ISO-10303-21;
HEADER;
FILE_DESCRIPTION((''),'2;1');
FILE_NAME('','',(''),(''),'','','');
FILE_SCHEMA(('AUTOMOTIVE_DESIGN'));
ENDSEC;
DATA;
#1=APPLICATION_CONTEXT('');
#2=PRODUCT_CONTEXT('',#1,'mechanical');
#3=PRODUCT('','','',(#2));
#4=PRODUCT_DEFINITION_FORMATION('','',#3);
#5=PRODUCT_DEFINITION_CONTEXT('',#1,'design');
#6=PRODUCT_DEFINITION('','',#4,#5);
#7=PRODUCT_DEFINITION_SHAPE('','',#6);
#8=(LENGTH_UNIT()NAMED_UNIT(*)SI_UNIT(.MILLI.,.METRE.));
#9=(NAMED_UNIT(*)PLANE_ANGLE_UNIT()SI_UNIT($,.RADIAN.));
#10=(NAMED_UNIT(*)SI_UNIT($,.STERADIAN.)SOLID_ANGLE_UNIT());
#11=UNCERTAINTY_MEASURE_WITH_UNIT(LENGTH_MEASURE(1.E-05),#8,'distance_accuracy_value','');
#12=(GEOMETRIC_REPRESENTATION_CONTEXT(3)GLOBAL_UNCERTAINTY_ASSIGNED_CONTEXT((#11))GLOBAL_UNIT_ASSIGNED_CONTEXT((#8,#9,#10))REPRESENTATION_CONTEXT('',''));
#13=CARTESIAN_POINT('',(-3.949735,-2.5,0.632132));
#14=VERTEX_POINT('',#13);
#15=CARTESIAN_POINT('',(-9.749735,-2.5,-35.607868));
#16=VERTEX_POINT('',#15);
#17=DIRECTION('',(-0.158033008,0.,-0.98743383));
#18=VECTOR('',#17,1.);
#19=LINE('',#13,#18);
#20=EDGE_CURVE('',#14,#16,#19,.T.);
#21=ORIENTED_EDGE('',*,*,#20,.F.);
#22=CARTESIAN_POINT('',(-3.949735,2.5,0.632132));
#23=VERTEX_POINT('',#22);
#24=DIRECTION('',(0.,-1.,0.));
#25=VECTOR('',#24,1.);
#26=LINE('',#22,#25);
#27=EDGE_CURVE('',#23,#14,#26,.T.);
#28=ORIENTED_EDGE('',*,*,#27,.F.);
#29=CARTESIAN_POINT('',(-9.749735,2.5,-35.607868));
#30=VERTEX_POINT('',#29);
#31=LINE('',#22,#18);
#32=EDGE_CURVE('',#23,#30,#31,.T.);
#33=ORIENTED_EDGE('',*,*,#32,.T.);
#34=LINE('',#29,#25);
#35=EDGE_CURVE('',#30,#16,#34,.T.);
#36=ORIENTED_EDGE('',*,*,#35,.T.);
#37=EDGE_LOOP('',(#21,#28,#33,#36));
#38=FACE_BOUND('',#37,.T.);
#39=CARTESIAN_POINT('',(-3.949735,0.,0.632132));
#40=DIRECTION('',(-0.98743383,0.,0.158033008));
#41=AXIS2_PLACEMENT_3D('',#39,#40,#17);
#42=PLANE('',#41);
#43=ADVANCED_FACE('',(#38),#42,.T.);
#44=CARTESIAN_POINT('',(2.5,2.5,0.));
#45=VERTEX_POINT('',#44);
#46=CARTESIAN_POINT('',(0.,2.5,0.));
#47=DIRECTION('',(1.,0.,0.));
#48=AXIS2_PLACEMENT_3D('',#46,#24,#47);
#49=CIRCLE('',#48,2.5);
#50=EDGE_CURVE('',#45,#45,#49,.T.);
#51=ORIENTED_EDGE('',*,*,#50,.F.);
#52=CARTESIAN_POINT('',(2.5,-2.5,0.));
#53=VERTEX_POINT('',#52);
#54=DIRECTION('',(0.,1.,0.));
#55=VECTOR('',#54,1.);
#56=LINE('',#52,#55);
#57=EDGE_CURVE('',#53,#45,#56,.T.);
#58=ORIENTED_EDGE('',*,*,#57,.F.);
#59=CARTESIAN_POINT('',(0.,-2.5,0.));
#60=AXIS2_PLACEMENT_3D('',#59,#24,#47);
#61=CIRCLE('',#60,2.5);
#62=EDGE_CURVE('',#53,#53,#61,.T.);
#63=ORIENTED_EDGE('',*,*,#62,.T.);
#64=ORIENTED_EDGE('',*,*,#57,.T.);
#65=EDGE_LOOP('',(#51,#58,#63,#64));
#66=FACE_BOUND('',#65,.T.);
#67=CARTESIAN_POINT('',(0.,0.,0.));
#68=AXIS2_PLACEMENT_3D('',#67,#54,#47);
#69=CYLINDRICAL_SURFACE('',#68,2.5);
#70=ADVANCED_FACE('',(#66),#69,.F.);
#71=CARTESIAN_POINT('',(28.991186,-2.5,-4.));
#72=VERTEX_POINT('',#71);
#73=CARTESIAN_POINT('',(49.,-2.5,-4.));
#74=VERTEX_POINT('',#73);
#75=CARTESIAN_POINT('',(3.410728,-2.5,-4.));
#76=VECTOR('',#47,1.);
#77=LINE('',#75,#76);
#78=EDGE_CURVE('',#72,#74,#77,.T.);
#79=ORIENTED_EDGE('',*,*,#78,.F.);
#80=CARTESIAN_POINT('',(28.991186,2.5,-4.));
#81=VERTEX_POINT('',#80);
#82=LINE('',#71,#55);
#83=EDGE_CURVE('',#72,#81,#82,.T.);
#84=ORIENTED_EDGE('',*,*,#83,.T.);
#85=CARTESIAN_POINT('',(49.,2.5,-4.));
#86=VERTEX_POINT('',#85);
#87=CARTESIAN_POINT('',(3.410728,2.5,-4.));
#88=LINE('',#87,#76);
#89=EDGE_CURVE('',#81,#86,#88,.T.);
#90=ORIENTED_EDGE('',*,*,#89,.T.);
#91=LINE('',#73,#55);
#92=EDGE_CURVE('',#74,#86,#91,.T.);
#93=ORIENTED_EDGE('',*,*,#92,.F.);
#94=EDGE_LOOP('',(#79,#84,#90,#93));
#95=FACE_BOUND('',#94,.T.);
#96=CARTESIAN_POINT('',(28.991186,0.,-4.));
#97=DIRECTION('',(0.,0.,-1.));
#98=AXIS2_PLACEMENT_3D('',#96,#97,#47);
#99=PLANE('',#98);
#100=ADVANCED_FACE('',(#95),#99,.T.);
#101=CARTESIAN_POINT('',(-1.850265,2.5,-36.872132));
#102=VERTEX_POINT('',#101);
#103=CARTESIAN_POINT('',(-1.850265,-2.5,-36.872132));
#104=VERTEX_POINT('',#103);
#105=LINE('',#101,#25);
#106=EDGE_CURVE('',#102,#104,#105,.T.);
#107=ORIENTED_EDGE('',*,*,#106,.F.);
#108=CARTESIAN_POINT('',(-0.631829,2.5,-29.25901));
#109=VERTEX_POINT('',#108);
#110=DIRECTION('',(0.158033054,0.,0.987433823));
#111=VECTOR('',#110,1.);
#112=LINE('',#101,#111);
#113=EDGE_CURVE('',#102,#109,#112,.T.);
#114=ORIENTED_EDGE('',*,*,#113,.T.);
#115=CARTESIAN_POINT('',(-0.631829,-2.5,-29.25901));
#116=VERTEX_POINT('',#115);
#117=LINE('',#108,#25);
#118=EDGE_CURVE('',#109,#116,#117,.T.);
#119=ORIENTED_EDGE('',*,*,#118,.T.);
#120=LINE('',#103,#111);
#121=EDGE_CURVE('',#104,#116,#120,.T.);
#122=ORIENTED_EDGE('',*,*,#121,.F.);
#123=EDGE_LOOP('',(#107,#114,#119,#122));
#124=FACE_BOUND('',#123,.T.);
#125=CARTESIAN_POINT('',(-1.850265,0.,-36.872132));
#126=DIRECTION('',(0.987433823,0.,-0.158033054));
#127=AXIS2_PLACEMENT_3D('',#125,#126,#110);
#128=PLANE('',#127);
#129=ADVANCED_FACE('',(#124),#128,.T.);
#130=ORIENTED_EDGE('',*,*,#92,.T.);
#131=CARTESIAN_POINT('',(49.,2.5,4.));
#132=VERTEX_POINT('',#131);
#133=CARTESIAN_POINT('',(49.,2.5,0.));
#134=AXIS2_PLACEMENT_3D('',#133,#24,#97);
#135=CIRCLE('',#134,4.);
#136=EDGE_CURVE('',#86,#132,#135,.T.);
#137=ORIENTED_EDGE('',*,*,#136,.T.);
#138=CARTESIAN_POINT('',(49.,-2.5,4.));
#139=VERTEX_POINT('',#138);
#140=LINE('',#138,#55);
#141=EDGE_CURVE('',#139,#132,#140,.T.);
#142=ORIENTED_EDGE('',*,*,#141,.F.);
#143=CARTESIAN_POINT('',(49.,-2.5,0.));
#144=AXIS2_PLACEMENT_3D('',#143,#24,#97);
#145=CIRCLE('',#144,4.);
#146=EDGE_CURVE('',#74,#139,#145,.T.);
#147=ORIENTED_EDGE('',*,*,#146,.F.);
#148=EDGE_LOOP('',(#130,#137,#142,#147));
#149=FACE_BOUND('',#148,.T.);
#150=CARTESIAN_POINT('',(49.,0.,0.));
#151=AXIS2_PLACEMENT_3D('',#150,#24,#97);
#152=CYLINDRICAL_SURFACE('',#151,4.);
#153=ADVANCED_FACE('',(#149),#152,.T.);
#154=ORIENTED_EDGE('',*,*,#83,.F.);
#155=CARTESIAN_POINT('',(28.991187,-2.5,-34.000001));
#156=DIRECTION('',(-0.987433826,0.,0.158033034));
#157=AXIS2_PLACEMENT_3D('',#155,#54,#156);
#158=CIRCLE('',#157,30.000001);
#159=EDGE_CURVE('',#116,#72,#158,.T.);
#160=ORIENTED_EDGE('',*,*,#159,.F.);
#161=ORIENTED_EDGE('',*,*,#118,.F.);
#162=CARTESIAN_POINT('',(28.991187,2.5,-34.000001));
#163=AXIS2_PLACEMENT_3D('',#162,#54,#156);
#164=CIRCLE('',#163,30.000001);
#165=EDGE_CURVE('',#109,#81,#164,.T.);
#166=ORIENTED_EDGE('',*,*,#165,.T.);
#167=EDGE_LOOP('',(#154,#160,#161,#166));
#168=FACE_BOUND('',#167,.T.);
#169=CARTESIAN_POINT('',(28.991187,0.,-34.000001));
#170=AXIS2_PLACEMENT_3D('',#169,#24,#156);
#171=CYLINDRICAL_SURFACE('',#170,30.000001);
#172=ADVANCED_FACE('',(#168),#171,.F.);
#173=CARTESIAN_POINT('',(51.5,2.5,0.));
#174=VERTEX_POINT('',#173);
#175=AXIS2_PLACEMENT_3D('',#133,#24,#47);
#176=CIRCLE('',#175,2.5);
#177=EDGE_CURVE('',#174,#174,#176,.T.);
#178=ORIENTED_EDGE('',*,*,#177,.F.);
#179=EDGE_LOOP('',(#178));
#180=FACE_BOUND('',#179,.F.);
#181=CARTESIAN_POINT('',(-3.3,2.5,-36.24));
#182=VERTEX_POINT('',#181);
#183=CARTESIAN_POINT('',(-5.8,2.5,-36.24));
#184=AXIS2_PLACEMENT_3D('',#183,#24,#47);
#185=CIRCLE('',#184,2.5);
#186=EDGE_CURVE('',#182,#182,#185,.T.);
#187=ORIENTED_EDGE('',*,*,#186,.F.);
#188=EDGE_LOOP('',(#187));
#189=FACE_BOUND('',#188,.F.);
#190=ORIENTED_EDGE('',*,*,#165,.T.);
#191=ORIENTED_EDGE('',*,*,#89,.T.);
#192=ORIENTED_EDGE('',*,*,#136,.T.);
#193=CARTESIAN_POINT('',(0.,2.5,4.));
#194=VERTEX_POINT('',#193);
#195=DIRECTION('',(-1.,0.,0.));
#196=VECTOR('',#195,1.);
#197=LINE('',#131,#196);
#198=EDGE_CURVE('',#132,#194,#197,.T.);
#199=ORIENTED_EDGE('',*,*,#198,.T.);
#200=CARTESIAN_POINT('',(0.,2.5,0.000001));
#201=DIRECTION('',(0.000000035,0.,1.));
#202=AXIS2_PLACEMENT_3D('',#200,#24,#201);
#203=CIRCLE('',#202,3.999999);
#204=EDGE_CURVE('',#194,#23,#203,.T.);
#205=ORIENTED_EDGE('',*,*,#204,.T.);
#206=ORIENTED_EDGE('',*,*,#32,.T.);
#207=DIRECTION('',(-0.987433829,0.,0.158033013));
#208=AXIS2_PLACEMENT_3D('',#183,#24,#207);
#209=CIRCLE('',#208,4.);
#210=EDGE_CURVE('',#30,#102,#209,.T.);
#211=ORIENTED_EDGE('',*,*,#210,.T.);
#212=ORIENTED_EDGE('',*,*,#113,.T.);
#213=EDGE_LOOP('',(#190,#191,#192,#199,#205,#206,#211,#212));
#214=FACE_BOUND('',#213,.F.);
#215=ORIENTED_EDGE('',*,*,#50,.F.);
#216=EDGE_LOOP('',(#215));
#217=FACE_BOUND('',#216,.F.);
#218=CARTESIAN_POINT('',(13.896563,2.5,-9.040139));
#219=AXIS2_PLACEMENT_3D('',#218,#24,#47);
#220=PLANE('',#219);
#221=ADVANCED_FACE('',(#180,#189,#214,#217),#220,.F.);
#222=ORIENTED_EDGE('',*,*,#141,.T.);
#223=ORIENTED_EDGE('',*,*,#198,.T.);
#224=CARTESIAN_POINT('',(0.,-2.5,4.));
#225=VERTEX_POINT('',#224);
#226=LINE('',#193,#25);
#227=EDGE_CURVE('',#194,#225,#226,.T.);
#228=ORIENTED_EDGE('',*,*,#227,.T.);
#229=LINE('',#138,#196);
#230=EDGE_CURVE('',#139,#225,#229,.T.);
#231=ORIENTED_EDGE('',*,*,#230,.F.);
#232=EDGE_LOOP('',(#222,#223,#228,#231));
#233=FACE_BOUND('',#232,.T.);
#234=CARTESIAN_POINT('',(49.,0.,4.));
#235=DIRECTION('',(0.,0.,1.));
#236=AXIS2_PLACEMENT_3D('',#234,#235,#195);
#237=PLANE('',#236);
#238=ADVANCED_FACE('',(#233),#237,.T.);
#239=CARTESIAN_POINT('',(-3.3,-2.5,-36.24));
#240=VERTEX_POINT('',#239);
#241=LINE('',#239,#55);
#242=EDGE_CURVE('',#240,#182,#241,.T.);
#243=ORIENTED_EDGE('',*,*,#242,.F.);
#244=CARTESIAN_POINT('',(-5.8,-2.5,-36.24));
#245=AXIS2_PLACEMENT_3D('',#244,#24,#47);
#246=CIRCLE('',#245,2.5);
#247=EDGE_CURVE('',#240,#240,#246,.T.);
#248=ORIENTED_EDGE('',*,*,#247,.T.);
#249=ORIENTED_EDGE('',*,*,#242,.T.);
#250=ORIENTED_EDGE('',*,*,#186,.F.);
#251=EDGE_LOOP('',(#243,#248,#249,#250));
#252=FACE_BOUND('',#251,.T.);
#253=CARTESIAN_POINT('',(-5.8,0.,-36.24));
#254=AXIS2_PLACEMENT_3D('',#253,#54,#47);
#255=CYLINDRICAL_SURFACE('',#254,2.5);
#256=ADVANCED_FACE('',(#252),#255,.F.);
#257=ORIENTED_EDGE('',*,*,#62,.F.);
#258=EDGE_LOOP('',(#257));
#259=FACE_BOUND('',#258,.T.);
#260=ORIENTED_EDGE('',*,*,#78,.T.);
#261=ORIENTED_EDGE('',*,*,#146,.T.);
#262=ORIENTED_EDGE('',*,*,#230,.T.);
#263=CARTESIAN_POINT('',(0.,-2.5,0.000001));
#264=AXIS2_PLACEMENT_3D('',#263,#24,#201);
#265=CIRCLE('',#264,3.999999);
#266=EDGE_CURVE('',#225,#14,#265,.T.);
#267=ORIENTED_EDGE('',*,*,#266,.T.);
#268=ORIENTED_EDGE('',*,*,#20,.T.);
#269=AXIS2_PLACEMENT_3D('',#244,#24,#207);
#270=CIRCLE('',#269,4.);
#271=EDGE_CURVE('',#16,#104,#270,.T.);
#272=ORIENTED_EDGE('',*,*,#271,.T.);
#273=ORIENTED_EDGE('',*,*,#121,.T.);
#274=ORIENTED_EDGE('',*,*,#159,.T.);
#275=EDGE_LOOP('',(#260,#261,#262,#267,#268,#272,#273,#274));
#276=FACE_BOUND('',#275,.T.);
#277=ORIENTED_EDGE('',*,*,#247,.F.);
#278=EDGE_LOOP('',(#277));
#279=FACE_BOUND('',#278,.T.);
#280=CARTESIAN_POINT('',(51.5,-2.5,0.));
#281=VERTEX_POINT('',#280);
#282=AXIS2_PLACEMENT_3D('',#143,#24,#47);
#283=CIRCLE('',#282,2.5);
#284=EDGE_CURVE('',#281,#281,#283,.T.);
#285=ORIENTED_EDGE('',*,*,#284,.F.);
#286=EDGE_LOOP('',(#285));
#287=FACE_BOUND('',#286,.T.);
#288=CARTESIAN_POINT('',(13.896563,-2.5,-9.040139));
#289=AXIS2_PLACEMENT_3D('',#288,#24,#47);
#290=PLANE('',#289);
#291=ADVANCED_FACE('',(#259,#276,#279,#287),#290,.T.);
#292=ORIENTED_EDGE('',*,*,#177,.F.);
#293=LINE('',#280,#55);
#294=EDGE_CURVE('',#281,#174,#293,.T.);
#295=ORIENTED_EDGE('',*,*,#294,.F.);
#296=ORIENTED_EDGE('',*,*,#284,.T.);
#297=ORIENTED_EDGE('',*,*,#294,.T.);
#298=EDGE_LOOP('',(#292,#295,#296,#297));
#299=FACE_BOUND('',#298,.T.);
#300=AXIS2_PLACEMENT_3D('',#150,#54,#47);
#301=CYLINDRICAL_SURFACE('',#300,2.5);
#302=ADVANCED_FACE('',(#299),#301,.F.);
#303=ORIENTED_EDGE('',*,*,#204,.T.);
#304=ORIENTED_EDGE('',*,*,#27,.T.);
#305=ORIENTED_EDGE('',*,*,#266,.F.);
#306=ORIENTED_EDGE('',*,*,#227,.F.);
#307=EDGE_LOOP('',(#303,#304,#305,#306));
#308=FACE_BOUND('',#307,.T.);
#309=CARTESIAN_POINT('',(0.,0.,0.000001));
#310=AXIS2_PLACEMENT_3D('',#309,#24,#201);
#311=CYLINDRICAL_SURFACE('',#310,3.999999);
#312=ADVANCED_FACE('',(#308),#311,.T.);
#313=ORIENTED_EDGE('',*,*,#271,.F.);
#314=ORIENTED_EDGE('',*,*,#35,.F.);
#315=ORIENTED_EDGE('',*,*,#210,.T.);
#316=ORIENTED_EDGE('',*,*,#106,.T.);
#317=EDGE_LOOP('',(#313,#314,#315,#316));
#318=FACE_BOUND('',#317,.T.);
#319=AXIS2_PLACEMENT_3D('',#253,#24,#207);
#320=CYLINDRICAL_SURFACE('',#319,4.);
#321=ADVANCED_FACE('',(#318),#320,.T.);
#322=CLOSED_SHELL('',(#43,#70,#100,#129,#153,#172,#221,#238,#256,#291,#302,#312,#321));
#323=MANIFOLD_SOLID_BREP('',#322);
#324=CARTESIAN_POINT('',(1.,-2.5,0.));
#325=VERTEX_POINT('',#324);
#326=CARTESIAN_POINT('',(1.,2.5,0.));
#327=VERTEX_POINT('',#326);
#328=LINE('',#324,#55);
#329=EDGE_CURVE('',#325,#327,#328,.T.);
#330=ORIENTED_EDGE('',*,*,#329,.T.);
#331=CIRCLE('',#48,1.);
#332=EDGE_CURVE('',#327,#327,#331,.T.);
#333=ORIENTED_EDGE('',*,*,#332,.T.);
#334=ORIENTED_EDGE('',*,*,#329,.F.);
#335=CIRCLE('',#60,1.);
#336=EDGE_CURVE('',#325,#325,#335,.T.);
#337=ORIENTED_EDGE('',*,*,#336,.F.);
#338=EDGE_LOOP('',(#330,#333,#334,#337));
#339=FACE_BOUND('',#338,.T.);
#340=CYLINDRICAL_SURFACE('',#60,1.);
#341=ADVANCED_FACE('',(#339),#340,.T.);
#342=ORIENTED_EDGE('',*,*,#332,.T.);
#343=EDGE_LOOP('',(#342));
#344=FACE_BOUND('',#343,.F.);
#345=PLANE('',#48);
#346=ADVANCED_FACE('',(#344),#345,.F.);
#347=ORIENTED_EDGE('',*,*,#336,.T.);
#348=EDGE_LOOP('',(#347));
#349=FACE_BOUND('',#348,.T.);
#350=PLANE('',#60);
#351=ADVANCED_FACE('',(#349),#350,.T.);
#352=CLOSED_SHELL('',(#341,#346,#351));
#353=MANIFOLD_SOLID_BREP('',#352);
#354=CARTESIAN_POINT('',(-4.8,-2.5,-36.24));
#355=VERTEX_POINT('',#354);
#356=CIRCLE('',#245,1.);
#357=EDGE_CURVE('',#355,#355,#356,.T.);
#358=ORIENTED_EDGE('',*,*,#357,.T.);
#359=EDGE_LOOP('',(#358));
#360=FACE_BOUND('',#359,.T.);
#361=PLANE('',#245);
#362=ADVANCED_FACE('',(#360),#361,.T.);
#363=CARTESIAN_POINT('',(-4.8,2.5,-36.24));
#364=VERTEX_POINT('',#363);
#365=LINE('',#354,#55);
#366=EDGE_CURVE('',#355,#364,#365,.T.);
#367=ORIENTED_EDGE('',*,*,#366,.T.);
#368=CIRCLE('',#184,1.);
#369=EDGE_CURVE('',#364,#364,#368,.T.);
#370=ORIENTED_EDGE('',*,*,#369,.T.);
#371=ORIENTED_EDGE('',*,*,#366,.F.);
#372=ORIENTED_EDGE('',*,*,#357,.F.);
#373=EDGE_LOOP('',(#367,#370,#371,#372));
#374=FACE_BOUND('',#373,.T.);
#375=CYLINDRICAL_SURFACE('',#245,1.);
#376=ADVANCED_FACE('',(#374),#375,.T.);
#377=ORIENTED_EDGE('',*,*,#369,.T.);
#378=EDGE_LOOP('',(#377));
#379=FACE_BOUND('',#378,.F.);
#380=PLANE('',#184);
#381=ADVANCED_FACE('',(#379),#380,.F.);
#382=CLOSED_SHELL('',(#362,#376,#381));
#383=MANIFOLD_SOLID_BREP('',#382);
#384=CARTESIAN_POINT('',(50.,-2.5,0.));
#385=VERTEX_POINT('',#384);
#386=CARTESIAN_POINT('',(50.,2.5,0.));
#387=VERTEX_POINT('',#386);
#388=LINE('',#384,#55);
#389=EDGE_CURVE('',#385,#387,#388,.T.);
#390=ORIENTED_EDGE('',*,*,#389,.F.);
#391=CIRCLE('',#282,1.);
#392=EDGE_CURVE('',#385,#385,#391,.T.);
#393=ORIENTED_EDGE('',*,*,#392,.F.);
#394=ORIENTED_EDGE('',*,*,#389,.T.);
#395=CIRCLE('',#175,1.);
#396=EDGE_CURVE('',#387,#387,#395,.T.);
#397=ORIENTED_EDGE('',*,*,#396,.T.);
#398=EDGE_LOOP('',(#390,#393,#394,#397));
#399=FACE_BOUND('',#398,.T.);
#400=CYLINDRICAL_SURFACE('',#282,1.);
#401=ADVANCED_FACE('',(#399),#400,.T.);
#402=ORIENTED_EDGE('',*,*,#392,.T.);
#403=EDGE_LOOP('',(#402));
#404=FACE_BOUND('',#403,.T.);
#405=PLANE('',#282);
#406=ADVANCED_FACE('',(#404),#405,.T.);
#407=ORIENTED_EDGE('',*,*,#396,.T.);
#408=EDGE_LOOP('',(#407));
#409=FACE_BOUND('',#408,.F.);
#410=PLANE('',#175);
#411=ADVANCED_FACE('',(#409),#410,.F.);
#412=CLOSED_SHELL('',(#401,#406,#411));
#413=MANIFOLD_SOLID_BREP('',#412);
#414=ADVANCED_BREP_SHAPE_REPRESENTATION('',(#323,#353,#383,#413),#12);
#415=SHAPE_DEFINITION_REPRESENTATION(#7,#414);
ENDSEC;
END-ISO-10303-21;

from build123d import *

# Parameters (mm, degrees)
F0_R     = 2.5
F1_DEPTH = 2.5
F2_R     = 1
F3_DEPTH = 5


with BuildPart() as f1:
    # F0 (on Front) → F1 (new body, symmetric)
    with BuildSketch(Plane.XZ):
        with BuildLine():
            Line((49, 4), (0, 4))
            ThreePointArc((0, 4), (-2.59533, 3.043725), (-3.949735, 0.632132))
            Line((-3.949735, 0.632132), (-9.749735, -35.607868))
            ThreePointArc((-9.749735, -35.607868), (-6.432132, -40.189735), (-1.850265, -36.872132))
            Line((-1.850265, -36.872132), (-0.631829, -29.25901))
            Line((-0.631829, -29.25901), (3.410728, -4))
            Line((3.410728, -4), (28.991186, -4))
            Line((28.991186, -4), (49, -4))
            ThreePointArc((49, -4), (53, 0), (49, 4))
        make_face()
        with Locations((-5.8, -36.24)):
            Circle(F0_R, mode=Mode.SUBTRACT)
        Circle(F0_R, mode=Mode.SUBTRACT)
        with Locations((49, 0)):
            Circle(F0_R, mode=Mode.SUBTRACT)
        with BuildLine():
            ThreePointArc((-0.631829, -29.25901), (9.526214, -11.17206), (28.991186, -4))
            Line((28.991186, -4), (3.410728, -4))
            Line((3.410728, -4), (-0.631829, -29.25901))
        make_face()
    extrude(amount=F1_DEPTH, both=True)


with BuildPart() as f3:
    # F2 (on face) → F3 (new body)
    with BuildSketch(Plane.XZ.offset(2.5)):
        Circle(F2_R)
        with Locations((-5.8, -36.24)):
            Circle(F2_R)
        with Locations((49, 0)):
            Circle(F2_R)
    extrude(amount=-F3_DEPTH)


solid = Compound([f1.part, f3.part])
